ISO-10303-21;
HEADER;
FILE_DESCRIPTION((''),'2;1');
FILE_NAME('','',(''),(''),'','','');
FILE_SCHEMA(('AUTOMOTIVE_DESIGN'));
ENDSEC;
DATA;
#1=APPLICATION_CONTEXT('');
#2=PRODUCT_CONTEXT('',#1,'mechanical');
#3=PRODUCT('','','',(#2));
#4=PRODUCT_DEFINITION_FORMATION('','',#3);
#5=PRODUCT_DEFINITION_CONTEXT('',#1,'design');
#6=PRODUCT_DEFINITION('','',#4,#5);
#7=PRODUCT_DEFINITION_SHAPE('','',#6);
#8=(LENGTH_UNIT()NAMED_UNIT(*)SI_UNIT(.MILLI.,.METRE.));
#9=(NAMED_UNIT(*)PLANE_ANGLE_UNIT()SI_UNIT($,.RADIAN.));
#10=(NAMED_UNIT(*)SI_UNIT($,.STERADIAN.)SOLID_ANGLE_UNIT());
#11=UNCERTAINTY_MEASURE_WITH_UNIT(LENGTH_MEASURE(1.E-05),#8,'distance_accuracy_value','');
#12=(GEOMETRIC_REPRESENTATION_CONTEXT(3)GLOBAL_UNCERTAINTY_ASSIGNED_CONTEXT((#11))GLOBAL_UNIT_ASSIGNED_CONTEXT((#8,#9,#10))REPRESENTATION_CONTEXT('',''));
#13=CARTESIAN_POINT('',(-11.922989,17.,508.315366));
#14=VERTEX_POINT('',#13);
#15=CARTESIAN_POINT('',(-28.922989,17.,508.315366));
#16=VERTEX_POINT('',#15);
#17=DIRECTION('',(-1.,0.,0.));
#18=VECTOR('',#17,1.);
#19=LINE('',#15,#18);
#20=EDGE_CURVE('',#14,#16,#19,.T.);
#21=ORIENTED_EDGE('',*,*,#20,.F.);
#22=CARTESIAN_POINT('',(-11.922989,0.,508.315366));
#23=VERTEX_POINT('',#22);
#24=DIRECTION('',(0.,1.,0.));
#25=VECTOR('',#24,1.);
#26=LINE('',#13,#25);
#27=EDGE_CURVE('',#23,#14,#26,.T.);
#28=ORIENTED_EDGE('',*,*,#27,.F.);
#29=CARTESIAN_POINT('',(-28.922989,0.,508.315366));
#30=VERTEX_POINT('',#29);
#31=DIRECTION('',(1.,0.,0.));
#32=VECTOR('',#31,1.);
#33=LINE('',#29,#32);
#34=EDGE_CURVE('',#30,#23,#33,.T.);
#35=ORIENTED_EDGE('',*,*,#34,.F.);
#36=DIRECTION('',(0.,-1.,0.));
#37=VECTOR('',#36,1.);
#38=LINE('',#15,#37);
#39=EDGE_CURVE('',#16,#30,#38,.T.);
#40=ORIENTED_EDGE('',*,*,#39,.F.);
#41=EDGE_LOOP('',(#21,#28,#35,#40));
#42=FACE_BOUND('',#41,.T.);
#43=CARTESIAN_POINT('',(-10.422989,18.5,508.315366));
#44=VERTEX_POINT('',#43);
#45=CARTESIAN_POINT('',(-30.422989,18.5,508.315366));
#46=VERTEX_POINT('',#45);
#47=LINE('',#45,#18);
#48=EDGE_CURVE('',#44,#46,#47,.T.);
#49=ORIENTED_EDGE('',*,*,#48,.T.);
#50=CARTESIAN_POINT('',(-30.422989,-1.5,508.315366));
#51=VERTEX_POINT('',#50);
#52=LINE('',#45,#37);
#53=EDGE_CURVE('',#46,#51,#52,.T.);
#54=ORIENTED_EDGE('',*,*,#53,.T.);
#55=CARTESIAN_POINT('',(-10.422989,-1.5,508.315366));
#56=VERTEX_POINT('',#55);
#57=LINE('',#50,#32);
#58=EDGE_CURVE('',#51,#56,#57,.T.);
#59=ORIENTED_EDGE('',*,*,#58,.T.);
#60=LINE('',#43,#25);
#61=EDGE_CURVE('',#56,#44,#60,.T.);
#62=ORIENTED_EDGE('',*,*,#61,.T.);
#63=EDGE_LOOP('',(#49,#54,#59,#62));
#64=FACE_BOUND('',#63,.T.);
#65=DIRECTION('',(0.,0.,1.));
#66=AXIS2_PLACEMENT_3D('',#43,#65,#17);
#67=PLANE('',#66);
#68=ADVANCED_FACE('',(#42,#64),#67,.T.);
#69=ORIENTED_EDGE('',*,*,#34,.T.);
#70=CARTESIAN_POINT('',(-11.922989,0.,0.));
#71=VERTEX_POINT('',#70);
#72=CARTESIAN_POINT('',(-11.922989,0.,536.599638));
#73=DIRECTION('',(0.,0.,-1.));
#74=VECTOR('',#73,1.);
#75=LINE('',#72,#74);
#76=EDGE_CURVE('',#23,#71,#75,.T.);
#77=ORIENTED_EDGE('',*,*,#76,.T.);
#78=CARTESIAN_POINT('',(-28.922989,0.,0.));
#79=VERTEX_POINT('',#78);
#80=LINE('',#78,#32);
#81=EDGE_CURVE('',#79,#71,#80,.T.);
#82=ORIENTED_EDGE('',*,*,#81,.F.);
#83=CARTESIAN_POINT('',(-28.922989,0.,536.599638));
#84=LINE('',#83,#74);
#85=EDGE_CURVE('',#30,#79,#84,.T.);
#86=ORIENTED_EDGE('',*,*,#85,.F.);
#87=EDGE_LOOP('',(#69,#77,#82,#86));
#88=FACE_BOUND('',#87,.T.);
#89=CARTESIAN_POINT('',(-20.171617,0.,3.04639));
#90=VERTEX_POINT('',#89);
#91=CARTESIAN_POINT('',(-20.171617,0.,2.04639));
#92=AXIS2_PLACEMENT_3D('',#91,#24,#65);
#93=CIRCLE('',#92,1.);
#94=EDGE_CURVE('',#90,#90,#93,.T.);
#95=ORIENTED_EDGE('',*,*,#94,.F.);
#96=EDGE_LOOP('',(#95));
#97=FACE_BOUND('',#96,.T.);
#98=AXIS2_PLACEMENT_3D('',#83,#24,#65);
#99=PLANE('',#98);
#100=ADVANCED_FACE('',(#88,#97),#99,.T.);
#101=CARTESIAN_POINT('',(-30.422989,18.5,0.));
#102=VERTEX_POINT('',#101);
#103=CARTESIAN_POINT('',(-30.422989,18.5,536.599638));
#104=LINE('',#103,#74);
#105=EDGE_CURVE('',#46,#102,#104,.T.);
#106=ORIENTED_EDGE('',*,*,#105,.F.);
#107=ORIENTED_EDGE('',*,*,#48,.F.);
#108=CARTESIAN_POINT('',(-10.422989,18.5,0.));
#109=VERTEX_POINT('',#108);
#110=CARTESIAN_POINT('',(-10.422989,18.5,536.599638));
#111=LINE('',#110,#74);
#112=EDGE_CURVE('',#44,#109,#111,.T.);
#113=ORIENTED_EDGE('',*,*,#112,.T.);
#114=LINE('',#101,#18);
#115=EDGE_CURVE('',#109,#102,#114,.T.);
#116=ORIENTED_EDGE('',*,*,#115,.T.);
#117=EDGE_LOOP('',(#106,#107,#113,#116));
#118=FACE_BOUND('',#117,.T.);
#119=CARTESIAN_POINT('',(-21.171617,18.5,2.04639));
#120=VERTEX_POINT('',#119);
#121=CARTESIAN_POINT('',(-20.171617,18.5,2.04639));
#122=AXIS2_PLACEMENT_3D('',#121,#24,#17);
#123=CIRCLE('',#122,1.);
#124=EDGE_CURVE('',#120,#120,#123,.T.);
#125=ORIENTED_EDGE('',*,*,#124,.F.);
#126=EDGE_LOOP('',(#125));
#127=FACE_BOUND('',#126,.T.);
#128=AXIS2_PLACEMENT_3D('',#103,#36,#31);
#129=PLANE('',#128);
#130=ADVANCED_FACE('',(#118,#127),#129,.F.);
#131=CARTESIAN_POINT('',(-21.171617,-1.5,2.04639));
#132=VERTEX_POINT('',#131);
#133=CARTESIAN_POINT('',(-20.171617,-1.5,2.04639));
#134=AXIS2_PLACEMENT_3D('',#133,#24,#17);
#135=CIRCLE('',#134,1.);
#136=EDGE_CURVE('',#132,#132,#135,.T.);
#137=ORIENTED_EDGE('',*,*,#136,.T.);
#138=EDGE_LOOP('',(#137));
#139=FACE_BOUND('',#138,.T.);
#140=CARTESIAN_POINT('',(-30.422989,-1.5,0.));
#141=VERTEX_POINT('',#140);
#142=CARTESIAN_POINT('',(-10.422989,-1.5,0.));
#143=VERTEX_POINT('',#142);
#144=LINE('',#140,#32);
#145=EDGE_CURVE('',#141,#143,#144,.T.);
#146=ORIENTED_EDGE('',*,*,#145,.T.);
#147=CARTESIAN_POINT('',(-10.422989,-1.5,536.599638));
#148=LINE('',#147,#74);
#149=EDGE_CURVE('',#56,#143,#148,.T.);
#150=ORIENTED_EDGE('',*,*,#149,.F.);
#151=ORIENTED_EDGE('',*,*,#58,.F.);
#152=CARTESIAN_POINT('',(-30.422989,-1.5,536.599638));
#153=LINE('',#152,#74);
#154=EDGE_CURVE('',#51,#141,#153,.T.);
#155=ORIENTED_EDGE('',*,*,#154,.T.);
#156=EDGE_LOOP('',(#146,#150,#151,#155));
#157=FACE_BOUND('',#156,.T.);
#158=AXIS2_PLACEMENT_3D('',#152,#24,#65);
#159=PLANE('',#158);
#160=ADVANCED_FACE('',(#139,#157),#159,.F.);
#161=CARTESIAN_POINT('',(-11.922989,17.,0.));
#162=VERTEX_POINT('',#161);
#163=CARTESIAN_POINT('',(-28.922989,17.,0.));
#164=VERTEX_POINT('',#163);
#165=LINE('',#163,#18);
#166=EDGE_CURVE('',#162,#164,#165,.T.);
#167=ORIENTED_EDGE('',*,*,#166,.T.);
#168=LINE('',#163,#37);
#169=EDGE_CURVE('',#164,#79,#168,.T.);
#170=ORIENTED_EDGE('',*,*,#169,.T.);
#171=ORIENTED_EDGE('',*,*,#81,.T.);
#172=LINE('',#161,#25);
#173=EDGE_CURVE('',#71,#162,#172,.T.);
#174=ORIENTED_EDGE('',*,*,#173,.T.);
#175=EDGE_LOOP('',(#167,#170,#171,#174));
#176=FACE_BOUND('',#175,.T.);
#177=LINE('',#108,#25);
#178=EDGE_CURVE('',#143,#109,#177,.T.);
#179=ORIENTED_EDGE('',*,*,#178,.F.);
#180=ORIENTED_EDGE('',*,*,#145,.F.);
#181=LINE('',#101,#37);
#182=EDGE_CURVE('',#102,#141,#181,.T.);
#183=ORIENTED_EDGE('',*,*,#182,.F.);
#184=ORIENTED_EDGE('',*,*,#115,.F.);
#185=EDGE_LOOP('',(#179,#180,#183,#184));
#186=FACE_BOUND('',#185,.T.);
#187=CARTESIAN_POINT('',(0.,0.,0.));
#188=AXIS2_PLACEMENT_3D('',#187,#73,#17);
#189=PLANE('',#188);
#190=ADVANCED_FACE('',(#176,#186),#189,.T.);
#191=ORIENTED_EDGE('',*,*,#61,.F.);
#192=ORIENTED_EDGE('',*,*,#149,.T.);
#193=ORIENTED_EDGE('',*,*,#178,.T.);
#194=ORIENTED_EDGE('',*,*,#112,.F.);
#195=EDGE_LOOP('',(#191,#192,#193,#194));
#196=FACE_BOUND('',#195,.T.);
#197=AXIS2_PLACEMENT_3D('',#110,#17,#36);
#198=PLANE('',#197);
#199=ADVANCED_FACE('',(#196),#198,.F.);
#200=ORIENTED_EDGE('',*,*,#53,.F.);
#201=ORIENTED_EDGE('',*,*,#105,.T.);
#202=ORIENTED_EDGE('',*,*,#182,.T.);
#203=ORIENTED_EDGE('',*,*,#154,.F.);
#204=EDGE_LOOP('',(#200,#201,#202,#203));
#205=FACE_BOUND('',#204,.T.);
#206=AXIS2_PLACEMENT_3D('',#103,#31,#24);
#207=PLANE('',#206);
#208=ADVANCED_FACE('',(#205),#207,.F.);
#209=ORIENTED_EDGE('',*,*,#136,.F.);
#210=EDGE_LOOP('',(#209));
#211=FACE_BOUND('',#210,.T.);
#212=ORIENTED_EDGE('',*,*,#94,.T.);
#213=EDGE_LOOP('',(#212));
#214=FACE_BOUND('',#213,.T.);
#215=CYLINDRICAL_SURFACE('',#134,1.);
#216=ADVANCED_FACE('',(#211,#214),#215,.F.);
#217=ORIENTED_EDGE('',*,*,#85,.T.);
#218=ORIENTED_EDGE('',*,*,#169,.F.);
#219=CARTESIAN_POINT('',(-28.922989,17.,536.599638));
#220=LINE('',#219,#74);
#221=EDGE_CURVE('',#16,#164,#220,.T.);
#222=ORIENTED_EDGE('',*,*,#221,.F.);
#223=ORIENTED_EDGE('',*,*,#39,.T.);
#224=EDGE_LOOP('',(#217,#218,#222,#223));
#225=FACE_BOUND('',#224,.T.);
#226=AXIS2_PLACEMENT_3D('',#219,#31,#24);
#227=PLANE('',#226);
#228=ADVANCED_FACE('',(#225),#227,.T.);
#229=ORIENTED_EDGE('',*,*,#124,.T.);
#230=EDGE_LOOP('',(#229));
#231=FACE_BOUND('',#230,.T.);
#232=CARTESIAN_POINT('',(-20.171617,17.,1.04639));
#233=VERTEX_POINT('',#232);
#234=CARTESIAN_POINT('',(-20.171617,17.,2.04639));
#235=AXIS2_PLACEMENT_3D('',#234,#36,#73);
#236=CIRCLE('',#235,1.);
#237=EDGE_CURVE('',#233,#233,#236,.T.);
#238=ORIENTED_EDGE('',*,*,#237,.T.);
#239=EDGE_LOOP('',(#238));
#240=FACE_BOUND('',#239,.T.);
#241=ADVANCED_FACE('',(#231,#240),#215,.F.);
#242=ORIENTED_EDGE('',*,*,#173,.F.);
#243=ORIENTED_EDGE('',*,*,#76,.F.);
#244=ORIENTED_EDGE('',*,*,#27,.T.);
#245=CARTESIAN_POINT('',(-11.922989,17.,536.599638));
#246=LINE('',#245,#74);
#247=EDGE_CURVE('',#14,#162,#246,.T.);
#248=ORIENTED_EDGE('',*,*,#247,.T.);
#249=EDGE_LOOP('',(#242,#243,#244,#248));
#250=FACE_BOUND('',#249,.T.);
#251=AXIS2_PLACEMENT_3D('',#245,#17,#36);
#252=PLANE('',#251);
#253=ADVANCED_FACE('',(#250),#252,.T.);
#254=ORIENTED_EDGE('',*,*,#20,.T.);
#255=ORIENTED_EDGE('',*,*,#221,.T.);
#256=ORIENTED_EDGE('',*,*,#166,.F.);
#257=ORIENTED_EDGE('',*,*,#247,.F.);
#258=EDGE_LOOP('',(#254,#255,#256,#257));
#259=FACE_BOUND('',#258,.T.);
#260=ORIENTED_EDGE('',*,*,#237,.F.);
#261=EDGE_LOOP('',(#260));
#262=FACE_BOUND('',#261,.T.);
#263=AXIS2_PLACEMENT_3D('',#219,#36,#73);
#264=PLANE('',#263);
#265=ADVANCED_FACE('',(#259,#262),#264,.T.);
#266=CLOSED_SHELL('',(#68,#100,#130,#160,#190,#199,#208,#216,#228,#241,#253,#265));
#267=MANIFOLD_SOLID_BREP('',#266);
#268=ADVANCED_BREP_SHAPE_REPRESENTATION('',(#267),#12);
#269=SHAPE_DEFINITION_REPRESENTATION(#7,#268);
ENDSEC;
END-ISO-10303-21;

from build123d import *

# Parameters (mm, degrees)
SZKIC1_W                    = 20
SZKIC1_H                    = 20
SZKIC1_W_2                  = 17
SZKIC1_H_2                  = 17
DODANIE_WYCI_GNI_CIE1_DEPTH = 508.315366476
SZKIC3_R                    = 1
WYTNIJ_WYCI_GNI_CIE1_DEPTH  = 510.617572349


with BuildPart() as part:
    # Szkic1 → Dodanie-wyciągnięcie1 (new body)
    with BuildSketch(Plane.XY):
        with Locations((-20.422988866, 8.5)):
            Rectangle(SZKIC1_W, SZKIC1_H)
        with Locations((-20.422988866, 8.5)):
            Rectangle(SZKIC1_W_2, SZKIC1_H_2, mode=Mode.SUBTRACT)
    extrude(amount=DODANIE_WYCI_GNI_CIE1_DEPTH)

    # Szkic3 → Wytnij-wyciągnięcie1 (cut, through all)
    with BuildSketch(Plane(origin=(0, 18.5, 0), x_dir=(1, 0, 0), z_dir=(0, 1, 0))):
        with Locations(Location((-20.171616984, -2.046389983, 0), (0, 0, 180))):
            Circle(SZKIC3_R)
    extrude(amount=-WYTNIJ_WYCI_GNI_CIE1_DEPTH, mode=Mode.SUBTRACT)


solid = part.part
